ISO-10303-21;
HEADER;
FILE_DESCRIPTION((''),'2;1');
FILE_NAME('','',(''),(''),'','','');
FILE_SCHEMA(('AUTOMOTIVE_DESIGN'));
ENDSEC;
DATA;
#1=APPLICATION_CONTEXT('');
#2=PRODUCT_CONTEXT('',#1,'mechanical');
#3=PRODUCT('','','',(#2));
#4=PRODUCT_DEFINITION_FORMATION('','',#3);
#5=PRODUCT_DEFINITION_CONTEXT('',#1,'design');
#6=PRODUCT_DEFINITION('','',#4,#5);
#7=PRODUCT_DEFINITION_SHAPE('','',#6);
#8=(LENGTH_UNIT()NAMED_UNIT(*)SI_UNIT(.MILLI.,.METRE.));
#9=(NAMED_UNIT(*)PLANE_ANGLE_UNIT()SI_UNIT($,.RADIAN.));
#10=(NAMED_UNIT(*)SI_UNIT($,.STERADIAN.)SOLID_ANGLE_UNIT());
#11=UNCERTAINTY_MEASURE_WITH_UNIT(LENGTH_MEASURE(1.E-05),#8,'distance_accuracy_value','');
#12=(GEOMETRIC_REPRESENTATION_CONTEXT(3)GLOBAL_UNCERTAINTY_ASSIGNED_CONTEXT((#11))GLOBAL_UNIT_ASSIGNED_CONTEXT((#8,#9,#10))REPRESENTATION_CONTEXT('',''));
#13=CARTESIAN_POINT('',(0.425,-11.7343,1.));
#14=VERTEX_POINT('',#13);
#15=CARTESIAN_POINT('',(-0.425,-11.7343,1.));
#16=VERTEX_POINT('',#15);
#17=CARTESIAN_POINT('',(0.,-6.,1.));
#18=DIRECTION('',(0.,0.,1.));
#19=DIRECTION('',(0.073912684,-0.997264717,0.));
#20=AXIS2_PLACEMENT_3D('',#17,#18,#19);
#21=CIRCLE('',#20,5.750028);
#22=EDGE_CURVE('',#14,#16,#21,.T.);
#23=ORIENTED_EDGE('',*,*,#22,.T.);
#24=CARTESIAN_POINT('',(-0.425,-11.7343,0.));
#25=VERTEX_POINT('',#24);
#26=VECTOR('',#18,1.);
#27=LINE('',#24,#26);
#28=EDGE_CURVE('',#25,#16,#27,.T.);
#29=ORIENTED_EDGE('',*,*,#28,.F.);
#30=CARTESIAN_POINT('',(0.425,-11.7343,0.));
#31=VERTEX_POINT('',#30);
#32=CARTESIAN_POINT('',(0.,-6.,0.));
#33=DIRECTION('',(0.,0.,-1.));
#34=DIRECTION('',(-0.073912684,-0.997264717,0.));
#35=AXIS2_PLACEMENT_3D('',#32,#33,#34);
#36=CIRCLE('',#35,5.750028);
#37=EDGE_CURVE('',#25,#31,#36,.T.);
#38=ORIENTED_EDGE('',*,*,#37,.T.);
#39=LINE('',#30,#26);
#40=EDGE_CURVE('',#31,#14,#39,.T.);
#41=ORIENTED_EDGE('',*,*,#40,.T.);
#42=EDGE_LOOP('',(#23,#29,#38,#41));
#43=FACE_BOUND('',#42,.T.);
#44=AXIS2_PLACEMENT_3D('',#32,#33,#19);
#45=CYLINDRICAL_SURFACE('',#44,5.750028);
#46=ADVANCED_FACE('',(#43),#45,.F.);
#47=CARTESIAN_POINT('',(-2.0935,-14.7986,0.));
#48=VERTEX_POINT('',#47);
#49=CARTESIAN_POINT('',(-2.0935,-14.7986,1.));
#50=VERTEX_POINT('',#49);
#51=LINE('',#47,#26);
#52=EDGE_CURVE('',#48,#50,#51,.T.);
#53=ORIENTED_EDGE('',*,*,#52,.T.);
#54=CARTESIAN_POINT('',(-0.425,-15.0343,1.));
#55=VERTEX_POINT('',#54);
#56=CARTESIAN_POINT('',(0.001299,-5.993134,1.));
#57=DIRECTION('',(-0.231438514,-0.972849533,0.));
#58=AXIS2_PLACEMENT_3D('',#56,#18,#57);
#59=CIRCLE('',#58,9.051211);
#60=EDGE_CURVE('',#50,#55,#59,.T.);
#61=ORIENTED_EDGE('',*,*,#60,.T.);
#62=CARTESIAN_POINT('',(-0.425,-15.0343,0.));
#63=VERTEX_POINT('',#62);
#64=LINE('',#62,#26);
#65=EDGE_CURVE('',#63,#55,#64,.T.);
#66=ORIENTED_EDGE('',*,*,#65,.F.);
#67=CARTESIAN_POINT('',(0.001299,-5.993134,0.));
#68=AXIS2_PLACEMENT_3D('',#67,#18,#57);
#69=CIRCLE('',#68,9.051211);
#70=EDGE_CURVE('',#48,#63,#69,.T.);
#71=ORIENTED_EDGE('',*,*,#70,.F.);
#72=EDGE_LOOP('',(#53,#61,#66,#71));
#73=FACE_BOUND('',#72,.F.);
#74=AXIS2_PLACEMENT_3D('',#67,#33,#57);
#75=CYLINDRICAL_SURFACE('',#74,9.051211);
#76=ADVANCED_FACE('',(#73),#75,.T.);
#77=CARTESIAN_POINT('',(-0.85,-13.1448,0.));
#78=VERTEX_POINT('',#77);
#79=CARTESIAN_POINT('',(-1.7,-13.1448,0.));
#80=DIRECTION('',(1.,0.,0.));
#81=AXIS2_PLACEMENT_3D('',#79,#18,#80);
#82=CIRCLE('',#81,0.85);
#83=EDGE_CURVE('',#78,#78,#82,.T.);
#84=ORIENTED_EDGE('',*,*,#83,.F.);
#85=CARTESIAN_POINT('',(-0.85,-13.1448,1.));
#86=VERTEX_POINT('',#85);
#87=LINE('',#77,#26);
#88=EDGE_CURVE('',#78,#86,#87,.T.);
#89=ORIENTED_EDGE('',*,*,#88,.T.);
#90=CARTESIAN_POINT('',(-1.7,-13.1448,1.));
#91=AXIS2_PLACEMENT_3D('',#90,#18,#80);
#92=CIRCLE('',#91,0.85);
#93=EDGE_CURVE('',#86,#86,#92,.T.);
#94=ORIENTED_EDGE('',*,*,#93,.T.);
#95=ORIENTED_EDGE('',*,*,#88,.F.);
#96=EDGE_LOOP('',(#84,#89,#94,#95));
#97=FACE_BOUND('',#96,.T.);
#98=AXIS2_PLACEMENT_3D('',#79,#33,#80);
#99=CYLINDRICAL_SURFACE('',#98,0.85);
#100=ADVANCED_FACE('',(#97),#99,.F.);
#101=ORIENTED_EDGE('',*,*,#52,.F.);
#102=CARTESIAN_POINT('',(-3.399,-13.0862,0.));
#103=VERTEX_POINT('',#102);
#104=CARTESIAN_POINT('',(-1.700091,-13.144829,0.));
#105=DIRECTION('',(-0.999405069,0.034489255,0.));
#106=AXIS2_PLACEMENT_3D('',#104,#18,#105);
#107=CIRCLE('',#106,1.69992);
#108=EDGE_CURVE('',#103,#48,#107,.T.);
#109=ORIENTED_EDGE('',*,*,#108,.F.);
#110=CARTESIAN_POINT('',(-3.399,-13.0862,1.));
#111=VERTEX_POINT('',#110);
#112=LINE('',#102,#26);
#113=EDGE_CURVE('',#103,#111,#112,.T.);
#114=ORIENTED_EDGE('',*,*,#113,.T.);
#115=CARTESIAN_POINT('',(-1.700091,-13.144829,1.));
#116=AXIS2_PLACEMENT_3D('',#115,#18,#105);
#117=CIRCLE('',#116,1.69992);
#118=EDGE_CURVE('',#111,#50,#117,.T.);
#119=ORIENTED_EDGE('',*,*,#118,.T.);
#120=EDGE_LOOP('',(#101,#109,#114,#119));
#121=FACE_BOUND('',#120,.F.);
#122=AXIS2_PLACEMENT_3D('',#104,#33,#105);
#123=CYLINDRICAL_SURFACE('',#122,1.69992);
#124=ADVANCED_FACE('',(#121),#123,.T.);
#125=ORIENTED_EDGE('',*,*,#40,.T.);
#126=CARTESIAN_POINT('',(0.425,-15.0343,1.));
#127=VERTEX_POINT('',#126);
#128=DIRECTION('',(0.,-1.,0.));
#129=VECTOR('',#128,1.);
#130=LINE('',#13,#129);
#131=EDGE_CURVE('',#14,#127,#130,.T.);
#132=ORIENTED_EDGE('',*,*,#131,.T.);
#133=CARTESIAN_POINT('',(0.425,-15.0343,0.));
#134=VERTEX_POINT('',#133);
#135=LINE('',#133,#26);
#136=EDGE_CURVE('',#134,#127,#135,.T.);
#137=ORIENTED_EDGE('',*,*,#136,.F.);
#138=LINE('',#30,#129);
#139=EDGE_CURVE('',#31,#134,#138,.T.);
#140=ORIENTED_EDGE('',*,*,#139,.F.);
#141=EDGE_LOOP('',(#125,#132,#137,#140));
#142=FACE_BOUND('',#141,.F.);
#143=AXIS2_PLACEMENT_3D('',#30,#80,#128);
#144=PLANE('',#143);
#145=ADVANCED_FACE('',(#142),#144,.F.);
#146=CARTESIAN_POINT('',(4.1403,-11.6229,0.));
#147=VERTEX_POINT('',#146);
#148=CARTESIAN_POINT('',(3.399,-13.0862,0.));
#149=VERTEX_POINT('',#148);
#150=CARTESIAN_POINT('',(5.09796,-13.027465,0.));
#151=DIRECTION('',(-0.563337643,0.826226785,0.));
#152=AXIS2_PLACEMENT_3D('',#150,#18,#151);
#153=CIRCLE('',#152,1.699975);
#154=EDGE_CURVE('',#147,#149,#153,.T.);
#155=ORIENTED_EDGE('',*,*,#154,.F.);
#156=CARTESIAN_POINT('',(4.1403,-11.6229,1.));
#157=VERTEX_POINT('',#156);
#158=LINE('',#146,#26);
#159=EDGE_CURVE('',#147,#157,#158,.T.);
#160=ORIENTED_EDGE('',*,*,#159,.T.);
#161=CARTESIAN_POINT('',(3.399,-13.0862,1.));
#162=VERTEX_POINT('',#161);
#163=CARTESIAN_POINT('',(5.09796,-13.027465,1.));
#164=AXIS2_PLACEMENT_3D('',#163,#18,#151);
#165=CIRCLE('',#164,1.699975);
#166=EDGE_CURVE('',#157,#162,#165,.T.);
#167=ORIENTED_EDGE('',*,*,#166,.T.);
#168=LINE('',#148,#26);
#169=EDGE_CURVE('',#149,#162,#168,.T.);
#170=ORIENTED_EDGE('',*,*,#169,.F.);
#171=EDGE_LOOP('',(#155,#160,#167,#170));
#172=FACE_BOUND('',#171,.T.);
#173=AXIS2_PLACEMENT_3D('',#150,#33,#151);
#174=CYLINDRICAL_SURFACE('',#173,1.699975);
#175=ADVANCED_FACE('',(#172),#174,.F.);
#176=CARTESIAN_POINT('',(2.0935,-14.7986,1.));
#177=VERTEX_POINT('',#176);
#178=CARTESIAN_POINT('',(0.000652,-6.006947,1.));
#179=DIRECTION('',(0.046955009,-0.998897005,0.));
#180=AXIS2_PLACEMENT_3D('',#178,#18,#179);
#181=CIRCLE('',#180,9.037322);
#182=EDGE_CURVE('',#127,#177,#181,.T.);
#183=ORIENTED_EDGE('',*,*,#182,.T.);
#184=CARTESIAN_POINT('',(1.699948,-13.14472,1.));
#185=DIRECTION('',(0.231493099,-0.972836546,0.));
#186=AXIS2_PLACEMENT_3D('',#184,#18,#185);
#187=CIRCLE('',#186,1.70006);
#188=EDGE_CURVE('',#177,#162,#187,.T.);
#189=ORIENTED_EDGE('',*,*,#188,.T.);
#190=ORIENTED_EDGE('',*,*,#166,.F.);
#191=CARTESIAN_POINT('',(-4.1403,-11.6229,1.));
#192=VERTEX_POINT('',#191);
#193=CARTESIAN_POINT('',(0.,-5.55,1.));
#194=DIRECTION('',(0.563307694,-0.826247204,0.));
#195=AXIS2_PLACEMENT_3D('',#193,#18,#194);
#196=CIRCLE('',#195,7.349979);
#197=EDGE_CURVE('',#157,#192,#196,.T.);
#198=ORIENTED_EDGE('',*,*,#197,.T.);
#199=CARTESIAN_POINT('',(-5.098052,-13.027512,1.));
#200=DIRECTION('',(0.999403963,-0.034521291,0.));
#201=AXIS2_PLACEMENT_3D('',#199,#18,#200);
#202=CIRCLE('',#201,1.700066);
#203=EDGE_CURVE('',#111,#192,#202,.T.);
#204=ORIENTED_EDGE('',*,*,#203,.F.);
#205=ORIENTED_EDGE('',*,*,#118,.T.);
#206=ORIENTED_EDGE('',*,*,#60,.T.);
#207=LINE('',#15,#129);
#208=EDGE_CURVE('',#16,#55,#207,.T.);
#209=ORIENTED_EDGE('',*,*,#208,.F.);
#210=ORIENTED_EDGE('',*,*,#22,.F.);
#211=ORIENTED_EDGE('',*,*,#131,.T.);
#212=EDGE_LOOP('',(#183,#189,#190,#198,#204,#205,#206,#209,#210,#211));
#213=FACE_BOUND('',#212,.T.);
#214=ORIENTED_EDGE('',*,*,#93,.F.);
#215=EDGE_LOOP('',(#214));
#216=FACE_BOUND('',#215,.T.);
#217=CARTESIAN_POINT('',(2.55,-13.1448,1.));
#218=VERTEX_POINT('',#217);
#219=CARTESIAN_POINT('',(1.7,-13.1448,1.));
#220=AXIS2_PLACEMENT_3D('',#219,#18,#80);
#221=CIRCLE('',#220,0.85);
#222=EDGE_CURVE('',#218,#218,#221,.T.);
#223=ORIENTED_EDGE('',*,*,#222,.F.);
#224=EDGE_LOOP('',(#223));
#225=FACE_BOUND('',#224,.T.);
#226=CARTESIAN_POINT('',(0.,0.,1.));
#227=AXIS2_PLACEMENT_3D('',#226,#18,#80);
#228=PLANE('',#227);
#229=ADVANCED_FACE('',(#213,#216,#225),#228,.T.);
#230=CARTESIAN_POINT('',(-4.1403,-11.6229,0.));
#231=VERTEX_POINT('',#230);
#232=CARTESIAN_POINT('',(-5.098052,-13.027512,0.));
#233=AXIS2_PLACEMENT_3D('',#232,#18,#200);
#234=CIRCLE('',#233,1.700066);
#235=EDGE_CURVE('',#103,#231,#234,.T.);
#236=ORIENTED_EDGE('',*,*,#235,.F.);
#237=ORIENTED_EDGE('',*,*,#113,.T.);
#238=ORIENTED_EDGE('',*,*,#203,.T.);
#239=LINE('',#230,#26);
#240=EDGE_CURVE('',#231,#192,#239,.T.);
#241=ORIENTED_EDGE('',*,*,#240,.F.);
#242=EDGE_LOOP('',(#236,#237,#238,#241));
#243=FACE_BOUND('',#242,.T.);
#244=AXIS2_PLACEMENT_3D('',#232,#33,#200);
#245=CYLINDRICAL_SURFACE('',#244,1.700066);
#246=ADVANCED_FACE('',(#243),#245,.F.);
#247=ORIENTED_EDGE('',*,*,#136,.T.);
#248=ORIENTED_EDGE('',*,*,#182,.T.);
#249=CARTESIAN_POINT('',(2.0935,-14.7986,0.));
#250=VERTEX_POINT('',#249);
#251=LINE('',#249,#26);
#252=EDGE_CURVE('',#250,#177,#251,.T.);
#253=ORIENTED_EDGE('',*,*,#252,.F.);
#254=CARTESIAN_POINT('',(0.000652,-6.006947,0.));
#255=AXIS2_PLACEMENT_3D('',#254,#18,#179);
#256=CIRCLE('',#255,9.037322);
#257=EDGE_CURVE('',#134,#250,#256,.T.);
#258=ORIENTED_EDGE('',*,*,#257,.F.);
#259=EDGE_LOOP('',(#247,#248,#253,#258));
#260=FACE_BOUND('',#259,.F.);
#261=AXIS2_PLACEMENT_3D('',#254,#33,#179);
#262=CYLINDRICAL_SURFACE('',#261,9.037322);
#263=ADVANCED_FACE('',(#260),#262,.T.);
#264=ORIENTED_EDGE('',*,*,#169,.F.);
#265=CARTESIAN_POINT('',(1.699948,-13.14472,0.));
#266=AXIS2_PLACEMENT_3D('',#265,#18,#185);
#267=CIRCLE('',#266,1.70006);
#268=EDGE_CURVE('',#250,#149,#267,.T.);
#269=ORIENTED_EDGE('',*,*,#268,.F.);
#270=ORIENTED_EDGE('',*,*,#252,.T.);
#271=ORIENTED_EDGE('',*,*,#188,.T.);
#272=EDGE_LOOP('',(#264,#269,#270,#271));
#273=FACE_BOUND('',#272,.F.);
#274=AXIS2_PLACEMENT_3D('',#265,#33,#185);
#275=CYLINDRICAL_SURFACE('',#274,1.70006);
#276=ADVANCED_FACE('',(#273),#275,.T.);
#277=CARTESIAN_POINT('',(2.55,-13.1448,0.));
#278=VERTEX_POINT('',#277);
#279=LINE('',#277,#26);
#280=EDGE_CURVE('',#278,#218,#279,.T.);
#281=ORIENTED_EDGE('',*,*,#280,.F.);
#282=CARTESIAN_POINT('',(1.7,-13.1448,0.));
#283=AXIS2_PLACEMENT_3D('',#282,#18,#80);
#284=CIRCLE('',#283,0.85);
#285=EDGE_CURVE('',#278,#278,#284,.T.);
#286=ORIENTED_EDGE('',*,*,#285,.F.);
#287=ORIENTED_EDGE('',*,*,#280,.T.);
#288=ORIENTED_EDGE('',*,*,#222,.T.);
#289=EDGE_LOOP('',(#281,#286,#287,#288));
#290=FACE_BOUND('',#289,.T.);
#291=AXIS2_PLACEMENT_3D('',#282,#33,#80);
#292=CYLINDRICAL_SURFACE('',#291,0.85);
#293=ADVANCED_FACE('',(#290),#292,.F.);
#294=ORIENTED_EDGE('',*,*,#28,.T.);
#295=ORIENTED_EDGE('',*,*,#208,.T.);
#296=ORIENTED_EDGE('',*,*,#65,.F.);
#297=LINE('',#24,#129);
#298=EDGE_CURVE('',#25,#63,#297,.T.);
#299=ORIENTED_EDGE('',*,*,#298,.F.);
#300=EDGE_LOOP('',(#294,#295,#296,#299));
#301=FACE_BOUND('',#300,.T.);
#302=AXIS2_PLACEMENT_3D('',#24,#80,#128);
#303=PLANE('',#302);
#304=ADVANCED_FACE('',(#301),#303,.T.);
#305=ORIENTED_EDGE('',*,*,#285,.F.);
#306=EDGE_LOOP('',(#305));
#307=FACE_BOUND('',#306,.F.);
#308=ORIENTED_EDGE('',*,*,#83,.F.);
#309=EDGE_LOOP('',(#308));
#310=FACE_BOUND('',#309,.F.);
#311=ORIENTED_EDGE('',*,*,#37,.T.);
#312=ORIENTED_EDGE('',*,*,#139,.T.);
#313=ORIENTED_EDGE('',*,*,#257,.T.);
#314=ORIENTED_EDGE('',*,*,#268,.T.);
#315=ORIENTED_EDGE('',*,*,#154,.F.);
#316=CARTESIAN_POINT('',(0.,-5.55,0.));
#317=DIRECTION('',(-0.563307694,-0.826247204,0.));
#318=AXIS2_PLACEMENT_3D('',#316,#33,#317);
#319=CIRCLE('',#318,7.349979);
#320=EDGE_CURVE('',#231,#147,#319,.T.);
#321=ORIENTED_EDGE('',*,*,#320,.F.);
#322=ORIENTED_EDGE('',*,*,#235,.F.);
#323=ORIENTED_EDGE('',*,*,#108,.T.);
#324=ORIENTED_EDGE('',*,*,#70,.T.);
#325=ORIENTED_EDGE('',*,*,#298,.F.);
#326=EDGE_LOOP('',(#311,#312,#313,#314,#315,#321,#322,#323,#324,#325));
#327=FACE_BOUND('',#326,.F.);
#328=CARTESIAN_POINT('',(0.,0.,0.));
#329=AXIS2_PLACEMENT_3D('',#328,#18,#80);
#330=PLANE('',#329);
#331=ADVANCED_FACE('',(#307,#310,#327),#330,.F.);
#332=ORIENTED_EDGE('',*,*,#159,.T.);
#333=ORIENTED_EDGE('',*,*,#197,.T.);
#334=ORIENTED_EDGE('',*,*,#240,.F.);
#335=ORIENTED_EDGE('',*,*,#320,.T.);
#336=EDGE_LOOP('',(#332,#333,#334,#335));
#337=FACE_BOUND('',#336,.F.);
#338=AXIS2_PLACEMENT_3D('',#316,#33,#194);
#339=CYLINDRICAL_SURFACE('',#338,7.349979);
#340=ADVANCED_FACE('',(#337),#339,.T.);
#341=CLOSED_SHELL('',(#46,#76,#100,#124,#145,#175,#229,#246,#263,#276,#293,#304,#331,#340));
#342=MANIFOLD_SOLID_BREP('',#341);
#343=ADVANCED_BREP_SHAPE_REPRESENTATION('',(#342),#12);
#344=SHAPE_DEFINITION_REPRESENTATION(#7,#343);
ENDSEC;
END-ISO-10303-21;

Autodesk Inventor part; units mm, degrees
ref_plane "YZ Plane" through (0, 0, 0) normal (1, 0, 0) x (0, 1, 0)
ref_plane "XZ Plane" through (0, 0, 0) normal (0, 1, 0) x (-1, 0, 0)
sketch "Szkic1" plane through (0, 0, 0) normal (0, 0, 1) x (1, 0, 0)
  line L0 (-6, 0) -> (6, 0) construction
  arc A0 (0.425, -11.7343) -> (-0.425, -11.7343) centre (0, -6) ccw
  line L1 (0, 20.1894) -> (0, -80.5364) projected
  line L2 (-48.09, 0) -> (48.09, 0) projected
  line L3 (-0.425, -11.7343) -> (-0.425, -15.0343)
  line L4 (-0.425, -6.5402) -> (-0.425, -13.29) construction
  line L5 (-2.7947, 1.8) -> (3.6722, 1.8) construction
  arc A1 (4.1403, -11.6229) -> (-4.1403, -11.6229) centre (0, -5.55) ccw
  arc A2 (-2.0935, -14.7986) -> (-0.425, -15.0343) centre (0, -6) ccw
  arc A3 (-3.399, -13.0862) -> (-2.0935, -14.7986) centre (-1.7, -13.1448) ccw
  arc A4 (-3.399, -13.0862) -> (-4.1403, -11.6229) centre (-5.098, -13.0275) ccw
  line L6 (0.425, -11.7343) -> (0.425, -15.0343)
  line L7 (0.425, -6.5402) -> (0.425, -13.29) construction
  arc A5 (0.425, -15.0343) -> (2.0935, -14.7986) centre (0, -6) ccw
  arc A6 (2.0935, -14.7986) -> (3.399, -13.0862) centre (1.7, -13.1448) ccw
  arc A7 (4.1403, -11.6229) -> (3.399, -13.0862) centre (5.098, -13.0275) ccw
  circle A8 centre (-1.7, -13.1448) radius 0.85
  circle A9 centre (1.7, -13.1448) radius 0.85
  dimension "d0" = 11.5
  dimension "d1" = 3.3
  dimension "d6" = 0.425
  dimension "d7" = 1.8
  dimension "d8" = 0.45
  dimension "d9" = 1.7
  dimension "d10" = 1.7
  dimension "d11" = 1.275
  dimension "d12" = 1.7
  dimension "d13" = 1.7
  dimension "d14" = 6
extrude "Bryła" add sketch "Szkic1" along normal blind 1
ref_plane "Work Plane1" through (0, -6, 0) normal (1, 0, 0) x (0, 0, 1)
equation "\"d0\" = ND"
equation "\"d1\" = SRB2"
equation "\"d6\" = 0.25 * SD5"
equation "\"d7\" = SRB1"
equation "\"d8\" = 0.25 * SRB1"
equation "\"d9\" = SD5"
equation "\"d10\" = SD5"
equation "\"d11\" = 0.75 * SD5"
equation "\"d12\" = SD5"
equation "\"d13\" = SD5"
equation "\"d14\" = 0.5 * WD"
equation "\"d2\" = SD"
equation "\"WD\" = WDMIN"
equation "\"SD\" = 1"
equation "\"SRB1\" = 1.8"
equation "\"ND\" = 11.5"
equation "\"SRB2\" = 3.3"
equation "\"SD5\" = 1.7"
equation "\"WDMIN\" = 12"
equation "\"SD3\" = 11"
equation "\"WDMAX\" = 13"
properties part number "DIN 471 - 12 x 1" material "Stal, miękka"
